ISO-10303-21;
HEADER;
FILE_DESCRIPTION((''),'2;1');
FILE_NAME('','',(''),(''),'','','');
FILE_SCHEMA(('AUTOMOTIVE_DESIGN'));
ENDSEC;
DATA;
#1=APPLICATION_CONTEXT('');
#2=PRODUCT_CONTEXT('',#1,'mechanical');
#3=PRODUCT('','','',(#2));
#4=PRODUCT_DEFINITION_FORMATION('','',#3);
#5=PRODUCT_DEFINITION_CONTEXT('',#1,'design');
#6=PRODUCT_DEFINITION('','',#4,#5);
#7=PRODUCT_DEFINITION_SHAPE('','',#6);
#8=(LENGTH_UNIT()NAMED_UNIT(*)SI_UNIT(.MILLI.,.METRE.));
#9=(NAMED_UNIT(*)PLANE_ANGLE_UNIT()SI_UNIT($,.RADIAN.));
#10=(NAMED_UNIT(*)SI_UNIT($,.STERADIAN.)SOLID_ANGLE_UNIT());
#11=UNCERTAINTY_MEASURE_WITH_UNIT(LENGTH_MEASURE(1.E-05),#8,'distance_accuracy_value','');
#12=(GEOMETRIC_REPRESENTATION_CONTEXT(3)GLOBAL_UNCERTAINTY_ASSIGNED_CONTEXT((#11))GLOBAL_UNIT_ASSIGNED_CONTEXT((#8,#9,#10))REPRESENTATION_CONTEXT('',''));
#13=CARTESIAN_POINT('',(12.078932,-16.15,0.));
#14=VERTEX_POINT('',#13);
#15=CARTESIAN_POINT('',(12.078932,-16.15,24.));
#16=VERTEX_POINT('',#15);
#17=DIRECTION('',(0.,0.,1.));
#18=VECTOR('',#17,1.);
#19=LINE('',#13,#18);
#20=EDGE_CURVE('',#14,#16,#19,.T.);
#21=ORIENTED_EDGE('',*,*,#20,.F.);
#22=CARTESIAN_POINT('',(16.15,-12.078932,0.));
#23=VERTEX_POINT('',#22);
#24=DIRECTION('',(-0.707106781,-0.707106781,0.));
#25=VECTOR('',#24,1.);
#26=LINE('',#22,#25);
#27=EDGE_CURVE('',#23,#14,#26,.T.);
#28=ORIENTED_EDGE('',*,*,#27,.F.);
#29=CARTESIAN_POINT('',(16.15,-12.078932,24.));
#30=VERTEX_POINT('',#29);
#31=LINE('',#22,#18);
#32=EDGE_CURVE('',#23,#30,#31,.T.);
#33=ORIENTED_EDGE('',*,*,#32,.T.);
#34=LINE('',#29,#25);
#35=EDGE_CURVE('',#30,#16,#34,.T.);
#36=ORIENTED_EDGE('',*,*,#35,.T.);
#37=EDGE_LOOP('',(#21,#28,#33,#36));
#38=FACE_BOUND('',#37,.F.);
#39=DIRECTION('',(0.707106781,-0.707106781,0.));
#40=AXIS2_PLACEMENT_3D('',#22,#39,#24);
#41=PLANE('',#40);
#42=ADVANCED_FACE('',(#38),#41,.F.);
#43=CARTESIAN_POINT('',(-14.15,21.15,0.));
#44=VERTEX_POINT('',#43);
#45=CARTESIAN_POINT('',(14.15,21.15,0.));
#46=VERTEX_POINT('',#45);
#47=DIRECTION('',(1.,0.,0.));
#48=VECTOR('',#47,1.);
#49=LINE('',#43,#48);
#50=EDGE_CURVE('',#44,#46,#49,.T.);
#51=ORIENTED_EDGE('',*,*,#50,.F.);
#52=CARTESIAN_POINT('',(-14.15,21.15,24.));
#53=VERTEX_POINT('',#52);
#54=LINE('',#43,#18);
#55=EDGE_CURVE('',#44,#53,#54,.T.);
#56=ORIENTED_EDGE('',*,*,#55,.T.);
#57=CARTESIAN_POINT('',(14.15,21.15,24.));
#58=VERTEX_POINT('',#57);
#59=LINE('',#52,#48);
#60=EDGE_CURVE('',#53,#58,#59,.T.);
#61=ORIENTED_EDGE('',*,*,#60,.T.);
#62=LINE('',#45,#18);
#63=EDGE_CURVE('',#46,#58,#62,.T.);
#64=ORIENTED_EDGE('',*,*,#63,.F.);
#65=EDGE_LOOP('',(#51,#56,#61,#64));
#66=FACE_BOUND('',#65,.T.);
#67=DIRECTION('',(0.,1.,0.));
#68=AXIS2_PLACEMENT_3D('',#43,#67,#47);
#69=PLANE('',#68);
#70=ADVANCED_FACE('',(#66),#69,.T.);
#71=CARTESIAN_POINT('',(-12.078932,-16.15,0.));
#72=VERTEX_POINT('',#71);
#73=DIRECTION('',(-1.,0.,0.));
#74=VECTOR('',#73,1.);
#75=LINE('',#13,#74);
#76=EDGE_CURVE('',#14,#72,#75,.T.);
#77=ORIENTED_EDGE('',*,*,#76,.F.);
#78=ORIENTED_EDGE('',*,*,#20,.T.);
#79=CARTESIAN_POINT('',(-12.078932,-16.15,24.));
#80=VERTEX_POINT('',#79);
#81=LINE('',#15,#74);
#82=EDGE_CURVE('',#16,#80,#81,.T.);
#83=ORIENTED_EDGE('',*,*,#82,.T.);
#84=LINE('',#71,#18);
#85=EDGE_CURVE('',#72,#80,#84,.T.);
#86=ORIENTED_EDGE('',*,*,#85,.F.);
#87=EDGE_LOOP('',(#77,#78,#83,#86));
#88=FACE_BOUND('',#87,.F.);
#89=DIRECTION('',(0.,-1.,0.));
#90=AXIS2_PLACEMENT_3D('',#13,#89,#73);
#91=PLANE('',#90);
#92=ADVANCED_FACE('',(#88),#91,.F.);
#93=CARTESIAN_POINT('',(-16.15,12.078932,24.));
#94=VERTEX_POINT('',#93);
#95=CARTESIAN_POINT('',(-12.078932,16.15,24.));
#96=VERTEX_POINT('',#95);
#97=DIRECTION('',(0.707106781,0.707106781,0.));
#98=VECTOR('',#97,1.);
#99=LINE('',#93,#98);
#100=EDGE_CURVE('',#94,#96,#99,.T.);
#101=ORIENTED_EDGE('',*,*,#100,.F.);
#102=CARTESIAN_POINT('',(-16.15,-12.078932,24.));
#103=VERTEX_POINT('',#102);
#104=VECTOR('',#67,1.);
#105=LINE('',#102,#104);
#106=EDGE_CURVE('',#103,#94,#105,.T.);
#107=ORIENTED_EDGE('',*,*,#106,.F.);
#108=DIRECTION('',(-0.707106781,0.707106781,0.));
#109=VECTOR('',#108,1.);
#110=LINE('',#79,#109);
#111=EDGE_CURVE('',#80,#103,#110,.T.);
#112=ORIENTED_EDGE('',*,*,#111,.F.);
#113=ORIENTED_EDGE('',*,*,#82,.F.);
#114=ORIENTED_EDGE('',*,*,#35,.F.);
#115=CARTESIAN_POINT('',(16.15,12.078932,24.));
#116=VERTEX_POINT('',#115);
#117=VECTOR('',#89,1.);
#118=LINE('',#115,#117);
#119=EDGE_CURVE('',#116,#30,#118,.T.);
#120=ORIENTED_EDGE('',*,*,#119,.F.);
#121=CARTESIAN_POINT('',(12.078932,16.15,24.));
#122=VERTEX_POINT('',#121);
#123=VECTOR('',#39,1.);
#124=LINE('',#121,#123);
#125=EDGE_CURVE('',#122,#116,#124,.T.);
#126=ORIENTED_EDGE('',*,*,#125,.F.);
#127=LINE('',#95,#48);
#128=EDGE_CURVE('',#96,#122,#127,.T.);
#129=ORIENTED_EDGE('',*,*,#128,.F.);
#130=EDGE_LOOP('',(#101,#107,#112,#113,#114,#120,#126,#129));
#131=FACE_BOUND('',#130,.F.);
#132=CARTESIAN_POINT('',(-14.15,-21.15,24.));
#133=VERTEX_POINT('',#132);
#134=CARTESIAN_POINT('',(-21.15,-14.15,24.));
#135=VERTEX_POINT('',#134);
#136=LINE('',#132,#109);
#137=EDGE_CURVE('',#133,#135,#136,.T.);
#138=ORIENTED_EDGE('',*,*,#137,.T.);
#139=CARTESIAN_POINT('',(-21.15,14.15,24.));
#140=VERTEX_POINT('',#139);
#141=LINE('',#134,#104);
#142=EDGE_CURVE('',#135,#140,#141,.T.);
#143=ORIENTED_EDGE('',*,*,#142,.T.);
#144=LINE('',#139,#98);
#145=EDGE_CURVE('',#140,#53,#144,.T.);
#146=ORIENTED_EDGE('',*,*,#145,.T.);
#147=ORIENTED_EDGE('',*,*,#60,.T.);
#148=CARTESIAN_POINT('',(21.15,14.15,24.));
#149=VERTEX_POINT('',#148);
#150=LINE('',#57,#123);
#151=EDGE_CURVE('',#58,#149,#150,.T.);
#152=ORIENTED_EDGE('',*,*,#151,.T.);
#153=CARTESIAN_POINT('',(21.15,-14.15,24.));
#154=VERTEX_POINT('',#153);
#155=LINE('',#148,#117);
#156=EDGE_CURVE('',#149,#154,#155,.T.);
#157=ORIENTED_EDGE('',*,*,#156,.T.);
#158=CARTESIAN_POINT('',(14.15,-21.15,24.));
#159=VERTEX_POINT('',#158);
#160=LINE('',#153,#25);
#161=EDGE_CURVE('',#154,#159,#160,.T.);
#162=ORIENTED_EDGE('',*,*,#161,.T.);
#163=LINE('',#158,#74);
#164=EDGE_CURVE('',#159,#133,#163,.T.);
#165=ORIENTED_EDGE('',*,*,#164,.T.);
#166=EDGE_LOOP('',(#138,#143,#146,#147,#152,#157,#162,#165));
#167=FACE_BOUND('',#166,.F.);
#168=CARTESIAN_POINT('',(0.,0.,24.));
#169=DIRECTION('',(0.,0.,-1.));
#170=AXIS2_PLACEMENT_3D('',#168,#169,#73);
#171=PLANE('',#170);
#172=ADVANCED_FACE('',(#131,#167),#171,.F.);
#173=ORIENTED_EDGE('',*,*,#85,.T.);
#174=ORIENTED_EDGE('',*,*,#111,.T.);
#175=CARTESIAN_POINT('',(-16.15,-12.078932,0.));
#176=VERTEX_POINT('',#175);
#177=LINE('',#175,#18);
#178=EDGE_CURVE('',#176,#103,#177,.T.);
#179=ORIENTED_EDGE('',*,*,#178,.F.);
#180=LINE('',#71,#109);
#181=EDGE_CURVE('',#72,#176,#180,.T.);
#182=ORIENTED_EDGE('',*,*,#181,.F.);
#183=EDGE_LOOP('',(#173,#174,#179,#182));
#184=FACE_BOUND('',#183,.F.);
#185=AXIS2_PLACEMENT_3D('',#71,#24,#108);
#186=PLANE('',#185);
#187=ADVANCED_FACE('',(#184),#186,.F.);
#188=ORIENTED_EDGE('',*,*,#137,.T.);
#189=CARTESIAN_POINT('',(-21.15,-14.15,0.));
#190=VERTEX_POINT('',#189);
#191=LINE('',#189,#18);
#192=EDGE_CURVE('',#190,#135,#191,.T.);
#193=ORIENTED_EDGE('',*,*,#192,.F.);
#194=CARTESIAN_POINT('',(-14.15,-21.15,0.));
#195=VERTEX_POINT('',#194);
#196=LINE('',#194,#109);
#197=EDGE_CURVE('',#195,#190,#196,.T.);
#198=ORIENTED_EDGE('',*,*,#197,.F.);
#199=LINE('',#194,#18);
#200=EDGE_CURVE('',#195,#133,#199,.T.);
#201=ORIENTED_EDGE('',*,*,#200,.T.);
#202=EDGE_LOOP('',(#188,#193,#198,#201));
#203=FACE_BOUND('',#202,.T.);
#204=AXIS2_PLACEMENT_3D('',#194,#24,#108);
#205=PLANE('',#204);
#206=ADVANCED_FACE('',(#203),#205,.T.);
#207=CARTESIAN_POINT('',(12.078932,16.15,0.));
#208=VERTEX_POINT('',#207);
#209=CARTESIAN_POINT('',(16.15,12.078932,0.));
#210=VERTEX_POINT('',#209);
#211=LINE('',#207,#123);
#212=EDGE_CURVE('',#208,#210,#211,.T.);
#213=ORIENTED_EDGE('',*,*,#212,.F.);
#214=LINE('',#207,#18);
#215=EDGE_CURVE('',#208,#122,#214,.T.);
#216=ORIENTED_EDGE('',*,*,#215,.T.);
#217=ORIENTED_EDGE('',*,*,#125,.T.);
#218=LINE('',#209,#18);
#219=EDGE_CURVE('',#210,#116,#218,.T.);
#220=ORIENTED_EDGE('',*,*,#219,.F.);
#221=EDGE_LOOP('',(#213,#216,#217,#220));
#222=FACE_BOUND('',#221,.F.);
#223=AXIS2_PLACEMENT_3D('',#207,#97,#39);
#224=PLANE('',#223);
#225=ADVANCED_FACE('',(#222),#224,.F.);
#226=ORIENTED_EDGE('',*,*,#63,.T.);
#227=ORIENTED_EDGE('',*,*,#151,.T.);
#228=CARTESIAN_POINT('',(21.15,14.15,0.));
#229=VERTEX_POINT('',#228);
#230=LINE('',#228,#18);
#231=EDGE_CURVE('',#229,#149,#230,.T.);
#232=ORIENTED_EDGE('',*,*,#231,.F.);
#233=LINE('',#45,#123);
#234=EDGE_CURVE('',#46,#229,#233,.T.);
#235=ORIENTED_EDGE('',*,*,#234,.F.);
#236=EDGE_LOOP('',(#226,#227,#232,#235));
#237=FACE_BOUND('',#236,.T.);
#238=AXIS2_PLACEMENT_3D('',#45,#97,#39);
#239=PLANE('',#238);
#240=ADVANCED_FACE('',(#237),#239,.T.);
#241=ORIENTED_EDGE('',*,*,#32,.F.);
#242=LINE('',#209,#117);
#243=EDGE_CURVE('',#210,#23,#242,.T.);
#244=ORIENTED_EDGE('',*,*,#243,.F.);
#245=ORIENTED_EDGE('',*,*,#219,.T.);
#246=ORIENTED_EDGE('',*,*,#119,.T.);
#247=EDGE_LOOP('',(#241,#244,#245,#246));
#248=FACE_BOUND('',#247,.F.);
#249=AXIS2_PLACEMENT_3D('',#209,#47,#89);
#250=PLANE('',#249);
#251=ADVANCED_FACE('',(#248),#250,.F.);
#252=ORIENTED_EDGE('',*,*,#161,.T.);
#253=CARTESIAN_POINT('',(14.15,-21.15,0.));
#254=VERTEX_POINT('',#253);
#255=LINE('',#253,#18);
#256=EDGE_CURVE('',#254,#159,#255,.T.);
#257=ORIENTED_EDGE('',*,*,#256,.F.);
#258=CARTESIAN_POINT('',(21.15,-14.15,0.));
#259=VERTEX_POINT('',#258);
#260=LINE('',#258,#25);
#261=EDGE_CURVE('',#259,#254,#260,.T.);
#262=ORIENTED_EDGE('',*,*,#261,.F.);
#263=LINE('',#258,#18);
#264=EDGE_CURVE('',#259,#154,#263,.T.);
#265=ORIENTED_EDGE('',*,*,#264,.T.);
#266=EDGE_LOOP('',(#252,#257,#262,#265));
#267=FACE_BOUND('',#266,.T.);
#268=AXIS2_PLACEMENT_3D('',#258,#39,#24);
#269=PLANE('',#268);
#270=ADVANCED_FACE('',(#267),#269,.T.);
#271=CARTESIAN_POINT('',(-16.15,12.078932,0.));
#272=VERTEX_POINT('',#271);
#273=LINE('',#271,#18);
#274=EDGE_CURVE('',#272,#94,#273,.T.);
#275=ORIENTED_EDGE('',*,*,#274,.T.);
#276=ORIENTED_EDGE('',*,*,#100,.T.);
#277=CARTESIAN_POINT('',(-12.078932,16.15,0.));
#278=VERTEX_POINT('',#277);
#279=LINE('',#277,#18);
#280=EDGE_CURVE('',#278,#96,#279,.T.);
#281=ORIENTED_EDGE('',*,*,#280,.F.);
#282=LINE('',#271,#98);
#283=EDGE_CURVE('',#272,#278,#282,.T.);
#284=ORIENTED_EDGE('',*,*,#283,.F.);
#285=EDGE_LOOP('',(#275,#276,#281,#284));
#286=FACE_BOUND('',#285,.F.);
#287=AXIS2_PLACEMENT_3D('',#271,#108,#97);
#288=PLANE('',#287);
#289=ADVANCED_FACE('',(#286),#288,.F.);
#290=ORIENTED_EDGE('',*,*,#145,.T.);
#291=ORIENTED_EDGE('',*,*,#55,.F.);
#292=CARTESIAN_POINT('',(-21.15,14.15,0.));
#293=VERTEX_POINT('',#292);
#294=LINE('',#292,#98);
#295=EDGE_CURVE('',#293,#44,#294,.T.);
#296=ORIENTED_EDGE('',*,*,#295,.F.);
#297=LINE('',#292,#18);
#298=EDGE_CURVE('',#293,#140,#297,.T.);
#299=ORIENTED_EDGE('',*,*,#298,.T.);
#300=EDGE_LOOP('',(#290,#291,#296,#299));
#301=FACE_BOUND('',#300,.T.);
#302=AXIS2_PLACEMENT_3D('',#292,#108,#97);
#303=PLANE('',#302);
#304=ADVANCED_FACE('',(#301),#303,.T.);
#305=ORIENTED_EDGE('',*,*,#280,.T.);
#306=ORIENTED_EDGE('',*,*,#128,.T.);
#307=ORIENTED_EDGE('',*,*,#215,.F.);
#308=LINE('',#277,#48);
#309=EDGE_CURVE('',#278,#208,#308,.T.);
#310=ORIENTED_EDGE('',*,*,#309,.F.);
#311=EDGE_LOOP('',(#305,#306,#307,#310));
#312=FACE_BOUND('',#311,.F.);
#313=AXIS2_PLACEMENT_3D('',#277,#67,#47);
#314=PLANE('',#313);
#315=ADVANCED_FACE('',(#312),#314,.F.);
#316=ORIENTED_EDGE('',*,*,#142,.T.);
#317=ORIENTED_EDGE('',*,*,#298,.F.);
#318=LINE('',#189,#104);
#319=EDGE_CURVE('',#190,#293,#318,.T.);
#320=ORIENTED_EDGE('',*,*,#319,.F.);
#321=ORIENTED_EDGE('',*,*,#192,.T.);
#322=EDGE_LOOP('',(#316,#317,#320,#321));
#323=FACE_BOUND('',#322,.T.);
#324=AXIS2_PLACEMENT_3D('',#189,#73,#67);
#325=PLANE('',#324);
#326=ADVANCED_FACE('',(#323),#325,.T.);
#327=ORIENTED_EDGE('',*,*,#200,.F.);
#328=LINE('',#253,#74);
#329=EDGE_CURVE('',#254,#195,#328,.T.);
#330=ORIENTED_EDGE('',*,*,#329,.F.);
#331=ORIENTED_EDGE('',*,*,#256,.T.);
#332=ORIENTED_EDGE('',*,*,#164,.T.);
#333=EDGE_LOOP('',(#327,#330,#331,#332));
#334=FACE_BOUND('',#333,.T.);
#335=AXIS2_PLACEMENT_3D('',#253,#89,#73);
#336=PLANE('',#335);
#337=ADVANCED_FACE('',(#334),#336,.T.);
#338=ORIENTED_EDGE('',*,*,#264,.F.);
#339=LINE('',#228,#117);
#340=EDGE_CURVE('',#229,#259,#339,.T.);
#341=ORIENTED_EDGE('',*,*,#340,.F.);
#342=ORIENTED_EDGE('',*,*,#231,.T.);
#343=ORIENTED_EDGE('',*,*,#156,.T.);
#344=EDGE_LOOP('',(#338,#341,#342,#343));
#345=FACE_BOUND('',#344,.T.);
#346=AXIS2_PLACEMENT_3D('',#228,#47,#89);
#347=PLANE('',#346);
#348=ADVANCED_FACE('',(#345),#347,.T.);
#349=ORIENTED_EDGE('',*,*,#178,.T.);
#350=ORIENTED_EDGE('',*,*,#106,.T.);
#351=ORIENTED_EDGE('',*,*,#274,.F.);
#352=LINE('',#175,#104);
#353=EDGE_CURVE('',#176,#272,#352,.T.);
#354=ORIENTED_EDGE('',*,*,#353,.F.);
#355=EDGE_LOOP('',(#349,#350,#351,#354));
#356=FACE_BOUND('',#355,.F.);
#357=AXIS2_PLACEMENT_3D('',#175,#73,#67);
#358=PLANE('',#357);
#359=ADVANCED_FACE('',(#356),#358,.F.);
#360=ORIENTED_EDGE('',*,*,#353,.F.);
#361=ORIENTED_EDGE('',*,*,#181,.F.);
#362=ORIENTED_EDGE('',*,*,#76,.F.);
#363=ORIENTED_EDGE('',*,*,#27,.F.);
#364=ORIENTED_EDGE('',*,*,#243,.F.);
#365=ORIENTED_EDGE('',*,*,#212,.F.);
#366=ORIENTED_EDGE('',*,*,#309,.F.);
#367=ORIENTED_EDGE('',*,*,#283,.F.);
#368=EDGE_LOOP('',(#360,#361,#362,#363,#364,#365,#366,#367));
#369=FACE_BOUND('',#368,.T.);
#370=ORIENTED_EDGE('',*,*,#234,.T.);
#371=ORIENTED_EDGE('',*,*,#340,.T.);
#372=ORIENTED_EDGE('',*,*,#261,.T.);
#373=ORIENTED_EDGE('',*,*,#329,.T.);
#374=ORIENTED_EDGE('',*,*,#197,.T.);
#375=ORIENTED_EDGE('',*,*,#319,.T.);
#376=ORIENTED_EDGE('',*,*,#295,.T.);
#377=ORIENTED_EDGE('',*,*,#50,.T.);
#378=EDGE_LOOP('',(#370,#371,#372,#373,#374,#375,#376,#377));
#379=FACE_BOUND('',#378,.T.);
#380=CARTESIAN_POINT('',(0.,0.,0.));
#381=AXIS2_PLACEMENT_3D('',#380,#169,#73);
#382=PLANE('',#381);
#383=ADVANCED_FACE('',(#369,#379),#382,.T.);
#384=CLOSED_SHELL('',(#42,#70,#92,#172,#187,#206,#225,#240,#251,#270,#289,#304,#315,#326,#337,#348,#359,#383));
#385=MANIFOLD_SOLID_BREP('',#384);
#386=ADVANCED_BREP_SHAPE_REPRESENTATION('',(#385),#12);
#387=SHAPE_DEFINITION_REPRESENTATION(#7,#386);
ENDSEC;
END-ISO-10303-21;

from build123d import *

# Parameters (mm, degrees)
Y_KSEKLIK_EKSTR_ZYON1_DEPTH = 24


with BuildPart() as part:
    # Çizim1 → Yükseklik-Ekstrüzyon1 (new body)
    with BuildSketch(Plane.XY):
        Polygon((-21.15, 14.15), (-14.15, 21.15), (14.15, 21.15), (21.15, 14.15), (21.15, -14.15), (14.15, -21.15), (-14.15, -21.15), (-21.15, -14.15), align=None)
        Polygon((-12.078932188, 16.15), (12.078932188, 16.15), (16.15, 12.078932188), (16.15, -12.078932188), (12.078932188, -16.15), (-12.078932188, -16.15), (-16.15, -12.078932188), (-16.15, 12.078932188), align=None, mode=Mode.SUBTRACT)
    extrude(amount=Y_KSEKLIK_EKSTR_ZYON1_DEPTH)


solid = part.part
